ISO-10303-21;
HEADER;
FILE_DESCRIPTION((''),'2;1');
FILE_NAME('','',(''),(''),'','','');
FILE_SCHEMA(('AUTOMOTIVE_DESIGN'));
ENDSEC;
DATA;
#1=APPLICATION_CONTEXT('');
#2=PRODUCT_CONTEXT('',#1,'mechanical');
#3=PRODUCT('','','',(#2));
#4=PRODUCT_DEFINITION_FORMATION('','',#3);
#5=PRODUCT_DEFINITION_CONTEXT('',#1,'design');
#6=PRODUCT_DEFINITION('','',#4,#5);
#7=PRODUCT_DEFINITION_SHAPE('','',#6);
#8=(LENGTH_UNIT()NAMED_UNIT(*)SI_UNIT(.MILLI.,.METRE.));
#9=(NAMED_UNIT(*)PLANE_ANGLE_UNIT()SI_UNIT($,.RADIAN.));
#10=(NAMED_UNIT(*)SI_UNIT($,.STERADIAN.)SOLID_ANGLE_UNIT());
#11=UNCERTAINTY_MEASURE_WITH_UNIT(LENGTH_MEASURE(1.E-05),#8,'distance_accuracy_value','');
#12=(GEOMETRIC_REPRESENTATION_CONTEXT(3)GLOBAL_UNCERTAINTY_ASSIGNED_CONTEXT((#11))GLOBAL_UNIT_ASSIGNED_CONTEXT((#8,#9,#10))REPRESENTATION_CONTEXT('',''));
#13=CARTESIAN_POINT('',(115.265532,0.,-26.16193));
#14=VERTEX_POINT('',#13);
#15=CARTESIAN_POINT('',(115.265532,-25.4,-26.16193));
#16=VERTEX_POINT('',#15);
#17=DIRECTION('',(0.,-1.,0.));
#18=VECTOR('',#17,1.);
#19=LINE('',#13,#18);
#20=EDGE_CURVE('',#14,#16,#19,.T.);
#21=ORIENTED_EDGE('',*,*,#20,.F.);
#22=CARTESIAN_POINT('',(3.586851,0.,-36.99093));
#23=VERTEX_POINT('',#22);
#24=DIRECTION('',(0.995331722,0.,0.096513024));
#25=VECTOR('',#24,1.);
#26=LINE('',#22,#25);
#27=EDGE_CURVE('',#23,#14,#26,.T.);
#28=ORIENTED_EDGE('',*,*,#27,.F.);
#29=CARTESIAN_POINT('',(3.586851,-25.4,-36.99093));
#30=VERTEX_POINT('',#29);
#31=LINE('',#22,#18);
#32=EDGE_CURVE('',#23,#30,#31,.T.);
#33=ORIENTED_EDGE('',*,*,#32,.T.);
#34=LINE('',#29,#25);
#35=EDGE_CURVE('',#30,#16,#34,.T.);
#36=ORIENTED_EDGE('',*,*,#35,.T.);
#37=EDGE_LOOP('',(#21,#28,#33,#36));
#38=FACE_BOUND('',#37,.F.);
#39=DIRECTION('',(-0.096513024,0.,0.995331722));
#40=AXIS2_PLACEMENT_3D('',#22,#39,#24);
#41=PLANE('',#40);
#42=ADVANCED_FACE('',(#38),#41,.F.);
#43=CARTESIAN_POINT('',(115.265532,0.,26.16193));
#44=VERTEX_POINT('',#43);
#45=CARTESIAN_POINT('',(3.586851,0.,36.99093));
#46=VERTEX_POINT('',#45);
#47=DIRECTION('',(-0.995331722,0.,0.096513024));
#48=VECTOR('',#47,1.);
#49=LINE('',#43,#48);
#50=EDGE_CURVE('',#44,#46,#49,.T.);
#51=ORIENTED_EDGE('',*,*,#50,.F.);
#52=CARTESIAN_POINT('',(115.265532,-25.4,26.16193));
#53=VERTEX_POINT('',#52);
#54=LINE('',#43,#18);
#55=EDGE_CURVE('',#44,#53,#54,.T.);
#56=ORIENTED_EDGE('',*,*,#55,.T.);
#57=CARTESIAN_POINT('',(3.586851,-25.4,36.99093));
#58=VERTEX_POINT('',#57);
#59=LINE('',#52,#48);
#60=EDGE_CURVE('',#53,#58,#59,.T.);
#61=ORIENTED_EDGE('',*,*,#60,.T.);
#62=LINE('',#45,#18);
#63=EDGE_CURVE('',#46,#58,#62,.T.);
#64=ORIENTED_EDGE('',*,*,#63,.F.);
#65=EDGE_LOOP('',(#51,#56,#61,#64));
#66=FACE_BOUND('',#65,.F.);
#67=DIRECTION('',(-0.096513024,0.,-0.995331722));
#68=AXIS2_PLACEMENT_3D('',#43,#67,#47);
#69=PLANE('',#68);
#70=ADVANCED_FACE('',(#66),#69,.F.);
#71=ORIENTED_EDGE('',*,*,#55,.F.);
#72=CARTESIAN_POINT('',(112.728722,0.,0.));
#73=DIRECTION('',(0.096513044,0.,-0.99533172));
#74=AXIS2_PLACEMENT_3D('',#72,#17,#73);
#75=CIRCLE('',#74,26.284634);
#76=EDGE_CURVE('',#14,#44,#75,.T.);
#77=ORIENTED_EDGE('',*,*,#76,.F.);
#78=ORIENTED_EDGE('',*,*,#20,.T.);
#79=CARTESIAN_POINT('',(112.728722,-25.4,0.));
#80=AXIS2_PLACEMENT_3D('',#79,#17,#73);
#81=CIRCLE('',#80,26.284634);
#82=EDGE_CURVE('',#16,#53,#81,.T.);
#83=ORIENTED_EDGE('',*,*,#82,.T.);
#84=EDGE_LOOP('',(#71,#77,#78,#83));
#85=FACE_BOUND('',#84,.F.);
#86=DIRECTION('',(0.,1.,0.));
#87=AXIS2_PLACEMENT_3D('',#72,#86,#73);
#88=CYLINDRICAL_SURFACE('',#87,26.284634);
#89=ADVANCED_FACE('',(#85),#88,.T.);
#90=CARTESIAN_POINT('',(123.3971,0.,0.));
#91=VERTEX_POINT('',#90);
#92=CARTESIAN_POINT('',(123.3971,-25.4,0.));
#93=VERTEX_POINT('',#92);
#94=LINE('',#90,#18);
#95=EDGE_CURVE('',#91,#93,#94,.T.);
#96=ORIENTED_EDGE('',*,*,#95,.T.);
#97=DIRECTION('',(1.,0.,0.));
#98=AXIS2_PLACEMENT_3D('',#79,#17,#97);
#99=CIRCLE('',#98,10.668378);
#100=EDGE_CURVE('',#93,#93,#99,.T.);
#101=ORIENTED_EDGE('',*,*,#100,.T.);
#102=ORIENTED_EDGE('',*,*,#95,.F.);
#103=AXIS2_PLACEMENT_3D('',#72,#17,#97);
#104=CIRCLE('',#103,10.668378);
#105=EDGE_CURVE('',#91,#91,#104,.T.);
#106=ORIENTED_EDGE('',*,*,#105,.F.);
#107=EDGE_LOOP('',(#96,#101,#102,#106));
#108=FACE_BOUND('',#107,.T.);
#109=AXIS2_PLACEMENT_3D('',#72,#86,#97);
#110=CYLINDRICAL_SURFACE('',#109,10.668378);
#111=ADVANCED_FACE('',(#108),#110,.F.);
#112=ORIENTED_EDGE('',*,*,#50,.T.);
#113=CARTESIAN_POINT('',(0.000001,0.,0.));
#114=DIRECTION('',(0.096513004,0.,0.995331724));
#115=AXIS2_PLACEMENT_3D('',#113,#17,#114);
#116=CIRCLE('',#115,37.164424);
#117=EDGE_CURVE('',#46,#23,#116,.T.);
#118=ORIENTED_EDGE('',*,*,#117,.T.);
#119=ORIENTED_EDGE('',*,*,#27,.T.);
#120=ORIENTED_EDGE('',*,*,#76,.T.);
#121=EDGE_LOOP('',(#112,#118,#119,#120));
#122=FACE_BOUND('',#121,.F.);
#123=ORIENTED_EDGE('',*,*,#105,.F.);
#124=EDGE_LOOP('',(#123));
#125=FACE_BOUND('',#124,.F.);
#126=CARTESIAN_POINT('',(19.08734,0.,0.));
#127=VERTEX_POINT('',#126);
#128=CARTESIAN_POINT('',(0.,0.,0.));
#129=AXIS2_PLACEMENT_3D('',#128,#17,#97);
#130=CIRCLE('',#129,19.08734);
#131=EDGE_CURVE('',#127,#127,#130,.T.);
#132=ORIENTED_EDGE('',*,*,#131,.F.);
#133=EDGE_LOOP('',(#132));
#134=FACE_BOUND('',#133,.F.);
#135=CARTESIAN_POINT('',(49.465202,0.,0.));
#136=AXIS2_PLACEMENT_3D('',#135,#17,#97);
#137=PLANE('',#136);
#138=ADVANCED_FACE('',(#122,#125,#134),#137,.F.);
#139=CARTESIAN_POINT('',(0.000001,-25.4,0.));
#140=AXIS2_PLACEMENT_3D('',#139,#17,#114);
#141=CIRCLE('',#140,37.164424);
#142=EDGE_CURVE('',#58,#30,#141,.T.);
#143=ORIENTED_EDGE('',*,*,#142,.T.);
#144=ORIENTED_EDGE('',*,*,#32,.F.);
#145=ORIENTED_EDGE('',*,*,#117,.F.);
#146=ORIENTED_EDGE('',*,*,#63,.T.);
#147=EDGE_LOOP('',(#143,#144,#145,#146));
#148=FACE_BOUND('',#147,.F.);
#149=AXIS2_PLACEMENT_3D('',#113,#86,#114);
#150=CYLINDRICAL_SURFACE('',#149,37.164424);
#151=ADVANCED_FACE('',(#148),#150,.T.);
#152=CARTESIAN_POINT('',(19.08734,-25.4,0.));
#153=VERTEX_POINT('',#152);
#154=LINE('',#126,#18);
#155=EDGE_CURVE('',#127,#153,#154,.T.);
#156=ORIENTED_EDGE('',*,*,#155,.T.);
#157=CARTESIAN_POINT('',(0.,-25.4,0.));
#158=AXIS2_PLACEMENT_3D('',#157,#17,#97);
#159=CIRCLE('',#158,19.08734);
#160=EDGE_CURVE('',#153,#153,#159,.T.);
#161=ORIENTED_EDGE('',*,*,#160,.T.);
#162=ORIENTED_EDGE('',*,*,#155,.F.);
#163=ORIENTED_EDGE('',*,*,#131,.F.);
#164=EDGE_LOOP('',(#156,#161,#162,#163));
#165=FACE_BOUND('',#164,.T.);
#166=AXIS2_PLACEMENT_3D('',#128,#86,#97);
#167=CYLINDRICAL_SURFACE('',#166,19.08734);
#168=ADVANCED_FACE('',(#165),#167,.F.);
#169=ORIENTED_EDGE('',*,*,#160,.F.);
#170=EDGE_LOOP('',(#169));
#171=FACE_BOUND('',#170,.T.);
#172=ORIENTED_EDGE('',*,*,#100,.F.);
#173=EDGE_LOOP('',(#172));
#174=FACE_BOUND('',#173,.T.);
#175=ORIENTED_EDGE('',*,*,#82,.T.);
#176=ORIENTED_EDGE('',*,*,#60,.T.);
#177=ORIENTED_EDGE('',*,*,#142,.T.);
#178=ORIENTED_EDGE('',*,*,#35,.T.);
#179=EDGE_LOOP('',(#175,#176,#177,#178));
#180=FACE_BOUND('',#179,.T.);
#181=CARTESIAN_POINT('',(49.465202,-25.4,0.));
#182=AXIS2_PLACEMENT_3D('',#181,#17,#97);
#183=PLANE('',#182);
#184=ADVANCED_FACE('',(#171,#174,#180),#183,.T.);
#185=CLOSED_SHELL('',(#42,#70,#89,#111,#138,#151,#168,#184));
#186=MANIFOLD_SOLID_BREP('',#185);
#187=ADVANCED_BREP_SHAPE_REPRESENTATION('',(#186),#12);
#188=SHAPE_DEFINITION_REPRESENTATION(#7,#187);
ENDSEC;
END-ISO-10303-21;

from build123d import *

# Parameters (mm, degrees)
F0_R     = 19.08734
F0_R_2   = 10.668378
F1_DEPTH = 25.4


with BuildPart() as f1:
    # F0 (on Front) → F1 (new body)
    with BuildSketch(Plane.XZ):
        with BuildLine():
            Line((115.265532, 26.16193), (3.586851, 36.99093))
            ThreePointArc((3.586851, 36.99093), (-37.164423, 0), (3.586851, -36.99093))
            Line((3.586851, -36.99093), (115.265532, -26.16193))
            ThreePointArc((115.265532, -26.16193), (139.013356, 0), (115.265532, 26.16193))
        make_face()
        Circle(F0_R, mode=Mode.SUBTRACT)
        with Locations((112.728722, 0)):
            Circle(F0_R_2, mode=Mode.SUBTRACT)
    extrude(amount=F1_DEPTH)


solid = f1.part
